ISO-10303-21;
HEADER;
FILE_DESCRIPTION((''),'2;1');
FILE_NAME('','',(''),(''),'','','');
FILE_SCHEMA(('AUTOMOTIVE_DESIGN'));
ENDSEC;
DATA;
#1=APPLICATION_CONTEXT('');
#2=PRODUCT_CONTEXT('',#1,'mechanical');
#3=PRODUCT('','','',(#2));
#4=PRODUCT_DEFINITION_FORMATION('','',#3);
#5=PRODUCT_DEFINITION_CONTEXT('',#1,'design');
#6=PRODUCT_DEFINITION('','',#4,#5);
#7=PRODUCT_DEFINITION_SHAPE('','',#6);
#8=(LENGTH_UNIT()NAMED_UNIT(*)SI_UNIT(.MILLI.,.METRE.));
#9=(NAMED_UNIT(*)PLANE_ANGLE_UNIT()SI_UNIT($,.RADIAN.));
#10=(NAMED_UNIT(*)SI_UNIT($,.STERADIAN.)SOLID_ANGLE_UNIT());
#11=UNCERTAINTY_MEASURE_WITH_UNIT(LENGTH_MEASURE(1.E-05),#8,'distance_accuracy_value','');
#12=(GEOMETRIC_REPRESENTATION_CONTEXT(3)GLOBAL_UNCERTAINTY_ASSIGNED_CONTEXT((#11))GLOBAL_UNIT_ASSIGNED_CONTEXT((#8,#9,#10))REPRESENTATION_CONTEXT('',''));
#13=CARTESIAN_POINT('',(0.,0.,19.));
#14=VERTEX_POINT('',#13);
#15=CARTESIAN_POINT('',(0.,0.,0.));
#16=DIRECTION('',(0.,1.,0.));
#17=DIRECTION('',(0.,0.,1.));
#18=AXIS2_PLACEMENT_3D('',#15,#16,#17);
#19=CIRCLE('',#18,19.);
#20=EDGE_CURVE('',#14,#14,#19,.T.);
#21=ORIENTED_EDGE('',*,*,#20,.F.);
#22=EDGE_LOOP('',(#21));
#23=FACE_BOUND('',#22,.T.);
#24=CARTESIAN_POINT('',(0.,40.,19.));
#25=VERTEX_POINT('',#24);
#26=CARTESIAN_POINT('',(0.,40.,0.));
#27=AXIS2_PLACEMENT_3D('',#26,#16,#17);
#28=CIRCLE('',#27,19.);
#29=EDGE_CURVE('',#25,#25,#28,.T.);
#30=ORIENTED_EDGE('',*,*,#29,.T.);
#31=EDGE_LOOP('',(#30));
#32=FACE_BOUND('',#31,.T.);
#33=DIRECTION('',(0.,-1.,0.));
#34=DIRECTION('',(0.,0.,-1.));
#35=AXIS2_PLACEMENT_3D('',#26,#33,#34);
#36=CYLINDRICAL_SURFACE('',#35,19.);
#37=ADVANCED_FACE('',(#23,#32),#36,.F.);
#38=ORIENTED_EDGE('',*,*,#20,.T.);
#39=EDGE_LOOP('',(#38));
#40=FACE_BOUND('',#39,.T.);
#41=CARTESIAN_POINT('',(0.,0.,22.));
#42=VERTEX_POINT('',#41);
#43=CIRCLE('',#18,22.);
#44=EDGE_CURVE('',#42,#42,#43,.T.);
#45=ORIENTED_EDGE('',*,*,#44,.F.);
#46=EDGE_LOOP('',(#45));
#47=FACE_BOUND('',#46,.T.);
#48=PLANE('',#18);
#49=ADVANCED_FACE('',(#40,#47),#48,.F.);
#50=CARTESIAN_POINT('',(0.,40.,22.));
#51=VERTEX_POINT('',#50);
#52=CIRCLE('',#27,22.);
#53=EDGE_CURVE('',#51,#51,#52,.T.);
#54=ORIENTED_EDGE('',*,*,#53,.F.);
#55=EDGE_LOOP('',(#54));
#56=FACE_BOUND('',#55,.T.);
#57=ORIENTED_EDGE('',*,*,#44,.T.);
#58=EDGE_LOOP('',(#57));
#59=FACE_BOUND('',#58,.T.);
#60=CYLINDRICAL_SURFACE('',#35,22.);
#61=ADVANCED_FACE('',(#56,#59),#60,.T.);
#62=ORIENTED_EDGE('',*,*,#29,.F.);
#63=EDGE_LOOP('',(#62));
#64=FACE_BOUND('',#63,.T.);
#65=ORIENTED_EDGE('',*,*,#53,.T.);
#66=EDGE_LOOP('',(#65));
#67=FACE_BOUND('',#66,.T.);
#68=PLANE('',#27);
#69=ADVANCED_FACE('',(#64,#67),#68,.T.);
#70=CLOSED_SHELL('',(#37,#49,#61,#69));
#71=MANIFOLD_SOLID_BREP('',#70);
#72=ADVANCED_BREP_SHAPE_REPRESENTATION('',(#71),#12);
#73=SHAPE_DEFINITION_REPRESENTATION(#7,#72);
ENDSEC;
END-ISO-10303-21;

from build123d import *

# Parameters (mm, degrees)
SKETCH1_R           = 22
SKETCH1_R_2         = 19
BOSS_EXTRUDE1_DEPTH = 40


with BuildPart() as part:
    # Sketch1 → Boss-Extrude1 (new body)
    with BuildSketch(Plane(origin=(0, 0, 0), x_dir=(1, 0, 0), z_dir=(0, 1, 0))):
        with Locations(Location((0, 0, 0), (0, 0, 270))):
            Circle(SKETCH1_R)
        with Locations(Location((0, 0, 0), (0, 0, 270))):
            Circle(SKETCH1_R_2, mode=Mode.SUBTRACT)
    extrude(amount=BOSS_EXTRUDE1_DEPTH)


solid = part.part
